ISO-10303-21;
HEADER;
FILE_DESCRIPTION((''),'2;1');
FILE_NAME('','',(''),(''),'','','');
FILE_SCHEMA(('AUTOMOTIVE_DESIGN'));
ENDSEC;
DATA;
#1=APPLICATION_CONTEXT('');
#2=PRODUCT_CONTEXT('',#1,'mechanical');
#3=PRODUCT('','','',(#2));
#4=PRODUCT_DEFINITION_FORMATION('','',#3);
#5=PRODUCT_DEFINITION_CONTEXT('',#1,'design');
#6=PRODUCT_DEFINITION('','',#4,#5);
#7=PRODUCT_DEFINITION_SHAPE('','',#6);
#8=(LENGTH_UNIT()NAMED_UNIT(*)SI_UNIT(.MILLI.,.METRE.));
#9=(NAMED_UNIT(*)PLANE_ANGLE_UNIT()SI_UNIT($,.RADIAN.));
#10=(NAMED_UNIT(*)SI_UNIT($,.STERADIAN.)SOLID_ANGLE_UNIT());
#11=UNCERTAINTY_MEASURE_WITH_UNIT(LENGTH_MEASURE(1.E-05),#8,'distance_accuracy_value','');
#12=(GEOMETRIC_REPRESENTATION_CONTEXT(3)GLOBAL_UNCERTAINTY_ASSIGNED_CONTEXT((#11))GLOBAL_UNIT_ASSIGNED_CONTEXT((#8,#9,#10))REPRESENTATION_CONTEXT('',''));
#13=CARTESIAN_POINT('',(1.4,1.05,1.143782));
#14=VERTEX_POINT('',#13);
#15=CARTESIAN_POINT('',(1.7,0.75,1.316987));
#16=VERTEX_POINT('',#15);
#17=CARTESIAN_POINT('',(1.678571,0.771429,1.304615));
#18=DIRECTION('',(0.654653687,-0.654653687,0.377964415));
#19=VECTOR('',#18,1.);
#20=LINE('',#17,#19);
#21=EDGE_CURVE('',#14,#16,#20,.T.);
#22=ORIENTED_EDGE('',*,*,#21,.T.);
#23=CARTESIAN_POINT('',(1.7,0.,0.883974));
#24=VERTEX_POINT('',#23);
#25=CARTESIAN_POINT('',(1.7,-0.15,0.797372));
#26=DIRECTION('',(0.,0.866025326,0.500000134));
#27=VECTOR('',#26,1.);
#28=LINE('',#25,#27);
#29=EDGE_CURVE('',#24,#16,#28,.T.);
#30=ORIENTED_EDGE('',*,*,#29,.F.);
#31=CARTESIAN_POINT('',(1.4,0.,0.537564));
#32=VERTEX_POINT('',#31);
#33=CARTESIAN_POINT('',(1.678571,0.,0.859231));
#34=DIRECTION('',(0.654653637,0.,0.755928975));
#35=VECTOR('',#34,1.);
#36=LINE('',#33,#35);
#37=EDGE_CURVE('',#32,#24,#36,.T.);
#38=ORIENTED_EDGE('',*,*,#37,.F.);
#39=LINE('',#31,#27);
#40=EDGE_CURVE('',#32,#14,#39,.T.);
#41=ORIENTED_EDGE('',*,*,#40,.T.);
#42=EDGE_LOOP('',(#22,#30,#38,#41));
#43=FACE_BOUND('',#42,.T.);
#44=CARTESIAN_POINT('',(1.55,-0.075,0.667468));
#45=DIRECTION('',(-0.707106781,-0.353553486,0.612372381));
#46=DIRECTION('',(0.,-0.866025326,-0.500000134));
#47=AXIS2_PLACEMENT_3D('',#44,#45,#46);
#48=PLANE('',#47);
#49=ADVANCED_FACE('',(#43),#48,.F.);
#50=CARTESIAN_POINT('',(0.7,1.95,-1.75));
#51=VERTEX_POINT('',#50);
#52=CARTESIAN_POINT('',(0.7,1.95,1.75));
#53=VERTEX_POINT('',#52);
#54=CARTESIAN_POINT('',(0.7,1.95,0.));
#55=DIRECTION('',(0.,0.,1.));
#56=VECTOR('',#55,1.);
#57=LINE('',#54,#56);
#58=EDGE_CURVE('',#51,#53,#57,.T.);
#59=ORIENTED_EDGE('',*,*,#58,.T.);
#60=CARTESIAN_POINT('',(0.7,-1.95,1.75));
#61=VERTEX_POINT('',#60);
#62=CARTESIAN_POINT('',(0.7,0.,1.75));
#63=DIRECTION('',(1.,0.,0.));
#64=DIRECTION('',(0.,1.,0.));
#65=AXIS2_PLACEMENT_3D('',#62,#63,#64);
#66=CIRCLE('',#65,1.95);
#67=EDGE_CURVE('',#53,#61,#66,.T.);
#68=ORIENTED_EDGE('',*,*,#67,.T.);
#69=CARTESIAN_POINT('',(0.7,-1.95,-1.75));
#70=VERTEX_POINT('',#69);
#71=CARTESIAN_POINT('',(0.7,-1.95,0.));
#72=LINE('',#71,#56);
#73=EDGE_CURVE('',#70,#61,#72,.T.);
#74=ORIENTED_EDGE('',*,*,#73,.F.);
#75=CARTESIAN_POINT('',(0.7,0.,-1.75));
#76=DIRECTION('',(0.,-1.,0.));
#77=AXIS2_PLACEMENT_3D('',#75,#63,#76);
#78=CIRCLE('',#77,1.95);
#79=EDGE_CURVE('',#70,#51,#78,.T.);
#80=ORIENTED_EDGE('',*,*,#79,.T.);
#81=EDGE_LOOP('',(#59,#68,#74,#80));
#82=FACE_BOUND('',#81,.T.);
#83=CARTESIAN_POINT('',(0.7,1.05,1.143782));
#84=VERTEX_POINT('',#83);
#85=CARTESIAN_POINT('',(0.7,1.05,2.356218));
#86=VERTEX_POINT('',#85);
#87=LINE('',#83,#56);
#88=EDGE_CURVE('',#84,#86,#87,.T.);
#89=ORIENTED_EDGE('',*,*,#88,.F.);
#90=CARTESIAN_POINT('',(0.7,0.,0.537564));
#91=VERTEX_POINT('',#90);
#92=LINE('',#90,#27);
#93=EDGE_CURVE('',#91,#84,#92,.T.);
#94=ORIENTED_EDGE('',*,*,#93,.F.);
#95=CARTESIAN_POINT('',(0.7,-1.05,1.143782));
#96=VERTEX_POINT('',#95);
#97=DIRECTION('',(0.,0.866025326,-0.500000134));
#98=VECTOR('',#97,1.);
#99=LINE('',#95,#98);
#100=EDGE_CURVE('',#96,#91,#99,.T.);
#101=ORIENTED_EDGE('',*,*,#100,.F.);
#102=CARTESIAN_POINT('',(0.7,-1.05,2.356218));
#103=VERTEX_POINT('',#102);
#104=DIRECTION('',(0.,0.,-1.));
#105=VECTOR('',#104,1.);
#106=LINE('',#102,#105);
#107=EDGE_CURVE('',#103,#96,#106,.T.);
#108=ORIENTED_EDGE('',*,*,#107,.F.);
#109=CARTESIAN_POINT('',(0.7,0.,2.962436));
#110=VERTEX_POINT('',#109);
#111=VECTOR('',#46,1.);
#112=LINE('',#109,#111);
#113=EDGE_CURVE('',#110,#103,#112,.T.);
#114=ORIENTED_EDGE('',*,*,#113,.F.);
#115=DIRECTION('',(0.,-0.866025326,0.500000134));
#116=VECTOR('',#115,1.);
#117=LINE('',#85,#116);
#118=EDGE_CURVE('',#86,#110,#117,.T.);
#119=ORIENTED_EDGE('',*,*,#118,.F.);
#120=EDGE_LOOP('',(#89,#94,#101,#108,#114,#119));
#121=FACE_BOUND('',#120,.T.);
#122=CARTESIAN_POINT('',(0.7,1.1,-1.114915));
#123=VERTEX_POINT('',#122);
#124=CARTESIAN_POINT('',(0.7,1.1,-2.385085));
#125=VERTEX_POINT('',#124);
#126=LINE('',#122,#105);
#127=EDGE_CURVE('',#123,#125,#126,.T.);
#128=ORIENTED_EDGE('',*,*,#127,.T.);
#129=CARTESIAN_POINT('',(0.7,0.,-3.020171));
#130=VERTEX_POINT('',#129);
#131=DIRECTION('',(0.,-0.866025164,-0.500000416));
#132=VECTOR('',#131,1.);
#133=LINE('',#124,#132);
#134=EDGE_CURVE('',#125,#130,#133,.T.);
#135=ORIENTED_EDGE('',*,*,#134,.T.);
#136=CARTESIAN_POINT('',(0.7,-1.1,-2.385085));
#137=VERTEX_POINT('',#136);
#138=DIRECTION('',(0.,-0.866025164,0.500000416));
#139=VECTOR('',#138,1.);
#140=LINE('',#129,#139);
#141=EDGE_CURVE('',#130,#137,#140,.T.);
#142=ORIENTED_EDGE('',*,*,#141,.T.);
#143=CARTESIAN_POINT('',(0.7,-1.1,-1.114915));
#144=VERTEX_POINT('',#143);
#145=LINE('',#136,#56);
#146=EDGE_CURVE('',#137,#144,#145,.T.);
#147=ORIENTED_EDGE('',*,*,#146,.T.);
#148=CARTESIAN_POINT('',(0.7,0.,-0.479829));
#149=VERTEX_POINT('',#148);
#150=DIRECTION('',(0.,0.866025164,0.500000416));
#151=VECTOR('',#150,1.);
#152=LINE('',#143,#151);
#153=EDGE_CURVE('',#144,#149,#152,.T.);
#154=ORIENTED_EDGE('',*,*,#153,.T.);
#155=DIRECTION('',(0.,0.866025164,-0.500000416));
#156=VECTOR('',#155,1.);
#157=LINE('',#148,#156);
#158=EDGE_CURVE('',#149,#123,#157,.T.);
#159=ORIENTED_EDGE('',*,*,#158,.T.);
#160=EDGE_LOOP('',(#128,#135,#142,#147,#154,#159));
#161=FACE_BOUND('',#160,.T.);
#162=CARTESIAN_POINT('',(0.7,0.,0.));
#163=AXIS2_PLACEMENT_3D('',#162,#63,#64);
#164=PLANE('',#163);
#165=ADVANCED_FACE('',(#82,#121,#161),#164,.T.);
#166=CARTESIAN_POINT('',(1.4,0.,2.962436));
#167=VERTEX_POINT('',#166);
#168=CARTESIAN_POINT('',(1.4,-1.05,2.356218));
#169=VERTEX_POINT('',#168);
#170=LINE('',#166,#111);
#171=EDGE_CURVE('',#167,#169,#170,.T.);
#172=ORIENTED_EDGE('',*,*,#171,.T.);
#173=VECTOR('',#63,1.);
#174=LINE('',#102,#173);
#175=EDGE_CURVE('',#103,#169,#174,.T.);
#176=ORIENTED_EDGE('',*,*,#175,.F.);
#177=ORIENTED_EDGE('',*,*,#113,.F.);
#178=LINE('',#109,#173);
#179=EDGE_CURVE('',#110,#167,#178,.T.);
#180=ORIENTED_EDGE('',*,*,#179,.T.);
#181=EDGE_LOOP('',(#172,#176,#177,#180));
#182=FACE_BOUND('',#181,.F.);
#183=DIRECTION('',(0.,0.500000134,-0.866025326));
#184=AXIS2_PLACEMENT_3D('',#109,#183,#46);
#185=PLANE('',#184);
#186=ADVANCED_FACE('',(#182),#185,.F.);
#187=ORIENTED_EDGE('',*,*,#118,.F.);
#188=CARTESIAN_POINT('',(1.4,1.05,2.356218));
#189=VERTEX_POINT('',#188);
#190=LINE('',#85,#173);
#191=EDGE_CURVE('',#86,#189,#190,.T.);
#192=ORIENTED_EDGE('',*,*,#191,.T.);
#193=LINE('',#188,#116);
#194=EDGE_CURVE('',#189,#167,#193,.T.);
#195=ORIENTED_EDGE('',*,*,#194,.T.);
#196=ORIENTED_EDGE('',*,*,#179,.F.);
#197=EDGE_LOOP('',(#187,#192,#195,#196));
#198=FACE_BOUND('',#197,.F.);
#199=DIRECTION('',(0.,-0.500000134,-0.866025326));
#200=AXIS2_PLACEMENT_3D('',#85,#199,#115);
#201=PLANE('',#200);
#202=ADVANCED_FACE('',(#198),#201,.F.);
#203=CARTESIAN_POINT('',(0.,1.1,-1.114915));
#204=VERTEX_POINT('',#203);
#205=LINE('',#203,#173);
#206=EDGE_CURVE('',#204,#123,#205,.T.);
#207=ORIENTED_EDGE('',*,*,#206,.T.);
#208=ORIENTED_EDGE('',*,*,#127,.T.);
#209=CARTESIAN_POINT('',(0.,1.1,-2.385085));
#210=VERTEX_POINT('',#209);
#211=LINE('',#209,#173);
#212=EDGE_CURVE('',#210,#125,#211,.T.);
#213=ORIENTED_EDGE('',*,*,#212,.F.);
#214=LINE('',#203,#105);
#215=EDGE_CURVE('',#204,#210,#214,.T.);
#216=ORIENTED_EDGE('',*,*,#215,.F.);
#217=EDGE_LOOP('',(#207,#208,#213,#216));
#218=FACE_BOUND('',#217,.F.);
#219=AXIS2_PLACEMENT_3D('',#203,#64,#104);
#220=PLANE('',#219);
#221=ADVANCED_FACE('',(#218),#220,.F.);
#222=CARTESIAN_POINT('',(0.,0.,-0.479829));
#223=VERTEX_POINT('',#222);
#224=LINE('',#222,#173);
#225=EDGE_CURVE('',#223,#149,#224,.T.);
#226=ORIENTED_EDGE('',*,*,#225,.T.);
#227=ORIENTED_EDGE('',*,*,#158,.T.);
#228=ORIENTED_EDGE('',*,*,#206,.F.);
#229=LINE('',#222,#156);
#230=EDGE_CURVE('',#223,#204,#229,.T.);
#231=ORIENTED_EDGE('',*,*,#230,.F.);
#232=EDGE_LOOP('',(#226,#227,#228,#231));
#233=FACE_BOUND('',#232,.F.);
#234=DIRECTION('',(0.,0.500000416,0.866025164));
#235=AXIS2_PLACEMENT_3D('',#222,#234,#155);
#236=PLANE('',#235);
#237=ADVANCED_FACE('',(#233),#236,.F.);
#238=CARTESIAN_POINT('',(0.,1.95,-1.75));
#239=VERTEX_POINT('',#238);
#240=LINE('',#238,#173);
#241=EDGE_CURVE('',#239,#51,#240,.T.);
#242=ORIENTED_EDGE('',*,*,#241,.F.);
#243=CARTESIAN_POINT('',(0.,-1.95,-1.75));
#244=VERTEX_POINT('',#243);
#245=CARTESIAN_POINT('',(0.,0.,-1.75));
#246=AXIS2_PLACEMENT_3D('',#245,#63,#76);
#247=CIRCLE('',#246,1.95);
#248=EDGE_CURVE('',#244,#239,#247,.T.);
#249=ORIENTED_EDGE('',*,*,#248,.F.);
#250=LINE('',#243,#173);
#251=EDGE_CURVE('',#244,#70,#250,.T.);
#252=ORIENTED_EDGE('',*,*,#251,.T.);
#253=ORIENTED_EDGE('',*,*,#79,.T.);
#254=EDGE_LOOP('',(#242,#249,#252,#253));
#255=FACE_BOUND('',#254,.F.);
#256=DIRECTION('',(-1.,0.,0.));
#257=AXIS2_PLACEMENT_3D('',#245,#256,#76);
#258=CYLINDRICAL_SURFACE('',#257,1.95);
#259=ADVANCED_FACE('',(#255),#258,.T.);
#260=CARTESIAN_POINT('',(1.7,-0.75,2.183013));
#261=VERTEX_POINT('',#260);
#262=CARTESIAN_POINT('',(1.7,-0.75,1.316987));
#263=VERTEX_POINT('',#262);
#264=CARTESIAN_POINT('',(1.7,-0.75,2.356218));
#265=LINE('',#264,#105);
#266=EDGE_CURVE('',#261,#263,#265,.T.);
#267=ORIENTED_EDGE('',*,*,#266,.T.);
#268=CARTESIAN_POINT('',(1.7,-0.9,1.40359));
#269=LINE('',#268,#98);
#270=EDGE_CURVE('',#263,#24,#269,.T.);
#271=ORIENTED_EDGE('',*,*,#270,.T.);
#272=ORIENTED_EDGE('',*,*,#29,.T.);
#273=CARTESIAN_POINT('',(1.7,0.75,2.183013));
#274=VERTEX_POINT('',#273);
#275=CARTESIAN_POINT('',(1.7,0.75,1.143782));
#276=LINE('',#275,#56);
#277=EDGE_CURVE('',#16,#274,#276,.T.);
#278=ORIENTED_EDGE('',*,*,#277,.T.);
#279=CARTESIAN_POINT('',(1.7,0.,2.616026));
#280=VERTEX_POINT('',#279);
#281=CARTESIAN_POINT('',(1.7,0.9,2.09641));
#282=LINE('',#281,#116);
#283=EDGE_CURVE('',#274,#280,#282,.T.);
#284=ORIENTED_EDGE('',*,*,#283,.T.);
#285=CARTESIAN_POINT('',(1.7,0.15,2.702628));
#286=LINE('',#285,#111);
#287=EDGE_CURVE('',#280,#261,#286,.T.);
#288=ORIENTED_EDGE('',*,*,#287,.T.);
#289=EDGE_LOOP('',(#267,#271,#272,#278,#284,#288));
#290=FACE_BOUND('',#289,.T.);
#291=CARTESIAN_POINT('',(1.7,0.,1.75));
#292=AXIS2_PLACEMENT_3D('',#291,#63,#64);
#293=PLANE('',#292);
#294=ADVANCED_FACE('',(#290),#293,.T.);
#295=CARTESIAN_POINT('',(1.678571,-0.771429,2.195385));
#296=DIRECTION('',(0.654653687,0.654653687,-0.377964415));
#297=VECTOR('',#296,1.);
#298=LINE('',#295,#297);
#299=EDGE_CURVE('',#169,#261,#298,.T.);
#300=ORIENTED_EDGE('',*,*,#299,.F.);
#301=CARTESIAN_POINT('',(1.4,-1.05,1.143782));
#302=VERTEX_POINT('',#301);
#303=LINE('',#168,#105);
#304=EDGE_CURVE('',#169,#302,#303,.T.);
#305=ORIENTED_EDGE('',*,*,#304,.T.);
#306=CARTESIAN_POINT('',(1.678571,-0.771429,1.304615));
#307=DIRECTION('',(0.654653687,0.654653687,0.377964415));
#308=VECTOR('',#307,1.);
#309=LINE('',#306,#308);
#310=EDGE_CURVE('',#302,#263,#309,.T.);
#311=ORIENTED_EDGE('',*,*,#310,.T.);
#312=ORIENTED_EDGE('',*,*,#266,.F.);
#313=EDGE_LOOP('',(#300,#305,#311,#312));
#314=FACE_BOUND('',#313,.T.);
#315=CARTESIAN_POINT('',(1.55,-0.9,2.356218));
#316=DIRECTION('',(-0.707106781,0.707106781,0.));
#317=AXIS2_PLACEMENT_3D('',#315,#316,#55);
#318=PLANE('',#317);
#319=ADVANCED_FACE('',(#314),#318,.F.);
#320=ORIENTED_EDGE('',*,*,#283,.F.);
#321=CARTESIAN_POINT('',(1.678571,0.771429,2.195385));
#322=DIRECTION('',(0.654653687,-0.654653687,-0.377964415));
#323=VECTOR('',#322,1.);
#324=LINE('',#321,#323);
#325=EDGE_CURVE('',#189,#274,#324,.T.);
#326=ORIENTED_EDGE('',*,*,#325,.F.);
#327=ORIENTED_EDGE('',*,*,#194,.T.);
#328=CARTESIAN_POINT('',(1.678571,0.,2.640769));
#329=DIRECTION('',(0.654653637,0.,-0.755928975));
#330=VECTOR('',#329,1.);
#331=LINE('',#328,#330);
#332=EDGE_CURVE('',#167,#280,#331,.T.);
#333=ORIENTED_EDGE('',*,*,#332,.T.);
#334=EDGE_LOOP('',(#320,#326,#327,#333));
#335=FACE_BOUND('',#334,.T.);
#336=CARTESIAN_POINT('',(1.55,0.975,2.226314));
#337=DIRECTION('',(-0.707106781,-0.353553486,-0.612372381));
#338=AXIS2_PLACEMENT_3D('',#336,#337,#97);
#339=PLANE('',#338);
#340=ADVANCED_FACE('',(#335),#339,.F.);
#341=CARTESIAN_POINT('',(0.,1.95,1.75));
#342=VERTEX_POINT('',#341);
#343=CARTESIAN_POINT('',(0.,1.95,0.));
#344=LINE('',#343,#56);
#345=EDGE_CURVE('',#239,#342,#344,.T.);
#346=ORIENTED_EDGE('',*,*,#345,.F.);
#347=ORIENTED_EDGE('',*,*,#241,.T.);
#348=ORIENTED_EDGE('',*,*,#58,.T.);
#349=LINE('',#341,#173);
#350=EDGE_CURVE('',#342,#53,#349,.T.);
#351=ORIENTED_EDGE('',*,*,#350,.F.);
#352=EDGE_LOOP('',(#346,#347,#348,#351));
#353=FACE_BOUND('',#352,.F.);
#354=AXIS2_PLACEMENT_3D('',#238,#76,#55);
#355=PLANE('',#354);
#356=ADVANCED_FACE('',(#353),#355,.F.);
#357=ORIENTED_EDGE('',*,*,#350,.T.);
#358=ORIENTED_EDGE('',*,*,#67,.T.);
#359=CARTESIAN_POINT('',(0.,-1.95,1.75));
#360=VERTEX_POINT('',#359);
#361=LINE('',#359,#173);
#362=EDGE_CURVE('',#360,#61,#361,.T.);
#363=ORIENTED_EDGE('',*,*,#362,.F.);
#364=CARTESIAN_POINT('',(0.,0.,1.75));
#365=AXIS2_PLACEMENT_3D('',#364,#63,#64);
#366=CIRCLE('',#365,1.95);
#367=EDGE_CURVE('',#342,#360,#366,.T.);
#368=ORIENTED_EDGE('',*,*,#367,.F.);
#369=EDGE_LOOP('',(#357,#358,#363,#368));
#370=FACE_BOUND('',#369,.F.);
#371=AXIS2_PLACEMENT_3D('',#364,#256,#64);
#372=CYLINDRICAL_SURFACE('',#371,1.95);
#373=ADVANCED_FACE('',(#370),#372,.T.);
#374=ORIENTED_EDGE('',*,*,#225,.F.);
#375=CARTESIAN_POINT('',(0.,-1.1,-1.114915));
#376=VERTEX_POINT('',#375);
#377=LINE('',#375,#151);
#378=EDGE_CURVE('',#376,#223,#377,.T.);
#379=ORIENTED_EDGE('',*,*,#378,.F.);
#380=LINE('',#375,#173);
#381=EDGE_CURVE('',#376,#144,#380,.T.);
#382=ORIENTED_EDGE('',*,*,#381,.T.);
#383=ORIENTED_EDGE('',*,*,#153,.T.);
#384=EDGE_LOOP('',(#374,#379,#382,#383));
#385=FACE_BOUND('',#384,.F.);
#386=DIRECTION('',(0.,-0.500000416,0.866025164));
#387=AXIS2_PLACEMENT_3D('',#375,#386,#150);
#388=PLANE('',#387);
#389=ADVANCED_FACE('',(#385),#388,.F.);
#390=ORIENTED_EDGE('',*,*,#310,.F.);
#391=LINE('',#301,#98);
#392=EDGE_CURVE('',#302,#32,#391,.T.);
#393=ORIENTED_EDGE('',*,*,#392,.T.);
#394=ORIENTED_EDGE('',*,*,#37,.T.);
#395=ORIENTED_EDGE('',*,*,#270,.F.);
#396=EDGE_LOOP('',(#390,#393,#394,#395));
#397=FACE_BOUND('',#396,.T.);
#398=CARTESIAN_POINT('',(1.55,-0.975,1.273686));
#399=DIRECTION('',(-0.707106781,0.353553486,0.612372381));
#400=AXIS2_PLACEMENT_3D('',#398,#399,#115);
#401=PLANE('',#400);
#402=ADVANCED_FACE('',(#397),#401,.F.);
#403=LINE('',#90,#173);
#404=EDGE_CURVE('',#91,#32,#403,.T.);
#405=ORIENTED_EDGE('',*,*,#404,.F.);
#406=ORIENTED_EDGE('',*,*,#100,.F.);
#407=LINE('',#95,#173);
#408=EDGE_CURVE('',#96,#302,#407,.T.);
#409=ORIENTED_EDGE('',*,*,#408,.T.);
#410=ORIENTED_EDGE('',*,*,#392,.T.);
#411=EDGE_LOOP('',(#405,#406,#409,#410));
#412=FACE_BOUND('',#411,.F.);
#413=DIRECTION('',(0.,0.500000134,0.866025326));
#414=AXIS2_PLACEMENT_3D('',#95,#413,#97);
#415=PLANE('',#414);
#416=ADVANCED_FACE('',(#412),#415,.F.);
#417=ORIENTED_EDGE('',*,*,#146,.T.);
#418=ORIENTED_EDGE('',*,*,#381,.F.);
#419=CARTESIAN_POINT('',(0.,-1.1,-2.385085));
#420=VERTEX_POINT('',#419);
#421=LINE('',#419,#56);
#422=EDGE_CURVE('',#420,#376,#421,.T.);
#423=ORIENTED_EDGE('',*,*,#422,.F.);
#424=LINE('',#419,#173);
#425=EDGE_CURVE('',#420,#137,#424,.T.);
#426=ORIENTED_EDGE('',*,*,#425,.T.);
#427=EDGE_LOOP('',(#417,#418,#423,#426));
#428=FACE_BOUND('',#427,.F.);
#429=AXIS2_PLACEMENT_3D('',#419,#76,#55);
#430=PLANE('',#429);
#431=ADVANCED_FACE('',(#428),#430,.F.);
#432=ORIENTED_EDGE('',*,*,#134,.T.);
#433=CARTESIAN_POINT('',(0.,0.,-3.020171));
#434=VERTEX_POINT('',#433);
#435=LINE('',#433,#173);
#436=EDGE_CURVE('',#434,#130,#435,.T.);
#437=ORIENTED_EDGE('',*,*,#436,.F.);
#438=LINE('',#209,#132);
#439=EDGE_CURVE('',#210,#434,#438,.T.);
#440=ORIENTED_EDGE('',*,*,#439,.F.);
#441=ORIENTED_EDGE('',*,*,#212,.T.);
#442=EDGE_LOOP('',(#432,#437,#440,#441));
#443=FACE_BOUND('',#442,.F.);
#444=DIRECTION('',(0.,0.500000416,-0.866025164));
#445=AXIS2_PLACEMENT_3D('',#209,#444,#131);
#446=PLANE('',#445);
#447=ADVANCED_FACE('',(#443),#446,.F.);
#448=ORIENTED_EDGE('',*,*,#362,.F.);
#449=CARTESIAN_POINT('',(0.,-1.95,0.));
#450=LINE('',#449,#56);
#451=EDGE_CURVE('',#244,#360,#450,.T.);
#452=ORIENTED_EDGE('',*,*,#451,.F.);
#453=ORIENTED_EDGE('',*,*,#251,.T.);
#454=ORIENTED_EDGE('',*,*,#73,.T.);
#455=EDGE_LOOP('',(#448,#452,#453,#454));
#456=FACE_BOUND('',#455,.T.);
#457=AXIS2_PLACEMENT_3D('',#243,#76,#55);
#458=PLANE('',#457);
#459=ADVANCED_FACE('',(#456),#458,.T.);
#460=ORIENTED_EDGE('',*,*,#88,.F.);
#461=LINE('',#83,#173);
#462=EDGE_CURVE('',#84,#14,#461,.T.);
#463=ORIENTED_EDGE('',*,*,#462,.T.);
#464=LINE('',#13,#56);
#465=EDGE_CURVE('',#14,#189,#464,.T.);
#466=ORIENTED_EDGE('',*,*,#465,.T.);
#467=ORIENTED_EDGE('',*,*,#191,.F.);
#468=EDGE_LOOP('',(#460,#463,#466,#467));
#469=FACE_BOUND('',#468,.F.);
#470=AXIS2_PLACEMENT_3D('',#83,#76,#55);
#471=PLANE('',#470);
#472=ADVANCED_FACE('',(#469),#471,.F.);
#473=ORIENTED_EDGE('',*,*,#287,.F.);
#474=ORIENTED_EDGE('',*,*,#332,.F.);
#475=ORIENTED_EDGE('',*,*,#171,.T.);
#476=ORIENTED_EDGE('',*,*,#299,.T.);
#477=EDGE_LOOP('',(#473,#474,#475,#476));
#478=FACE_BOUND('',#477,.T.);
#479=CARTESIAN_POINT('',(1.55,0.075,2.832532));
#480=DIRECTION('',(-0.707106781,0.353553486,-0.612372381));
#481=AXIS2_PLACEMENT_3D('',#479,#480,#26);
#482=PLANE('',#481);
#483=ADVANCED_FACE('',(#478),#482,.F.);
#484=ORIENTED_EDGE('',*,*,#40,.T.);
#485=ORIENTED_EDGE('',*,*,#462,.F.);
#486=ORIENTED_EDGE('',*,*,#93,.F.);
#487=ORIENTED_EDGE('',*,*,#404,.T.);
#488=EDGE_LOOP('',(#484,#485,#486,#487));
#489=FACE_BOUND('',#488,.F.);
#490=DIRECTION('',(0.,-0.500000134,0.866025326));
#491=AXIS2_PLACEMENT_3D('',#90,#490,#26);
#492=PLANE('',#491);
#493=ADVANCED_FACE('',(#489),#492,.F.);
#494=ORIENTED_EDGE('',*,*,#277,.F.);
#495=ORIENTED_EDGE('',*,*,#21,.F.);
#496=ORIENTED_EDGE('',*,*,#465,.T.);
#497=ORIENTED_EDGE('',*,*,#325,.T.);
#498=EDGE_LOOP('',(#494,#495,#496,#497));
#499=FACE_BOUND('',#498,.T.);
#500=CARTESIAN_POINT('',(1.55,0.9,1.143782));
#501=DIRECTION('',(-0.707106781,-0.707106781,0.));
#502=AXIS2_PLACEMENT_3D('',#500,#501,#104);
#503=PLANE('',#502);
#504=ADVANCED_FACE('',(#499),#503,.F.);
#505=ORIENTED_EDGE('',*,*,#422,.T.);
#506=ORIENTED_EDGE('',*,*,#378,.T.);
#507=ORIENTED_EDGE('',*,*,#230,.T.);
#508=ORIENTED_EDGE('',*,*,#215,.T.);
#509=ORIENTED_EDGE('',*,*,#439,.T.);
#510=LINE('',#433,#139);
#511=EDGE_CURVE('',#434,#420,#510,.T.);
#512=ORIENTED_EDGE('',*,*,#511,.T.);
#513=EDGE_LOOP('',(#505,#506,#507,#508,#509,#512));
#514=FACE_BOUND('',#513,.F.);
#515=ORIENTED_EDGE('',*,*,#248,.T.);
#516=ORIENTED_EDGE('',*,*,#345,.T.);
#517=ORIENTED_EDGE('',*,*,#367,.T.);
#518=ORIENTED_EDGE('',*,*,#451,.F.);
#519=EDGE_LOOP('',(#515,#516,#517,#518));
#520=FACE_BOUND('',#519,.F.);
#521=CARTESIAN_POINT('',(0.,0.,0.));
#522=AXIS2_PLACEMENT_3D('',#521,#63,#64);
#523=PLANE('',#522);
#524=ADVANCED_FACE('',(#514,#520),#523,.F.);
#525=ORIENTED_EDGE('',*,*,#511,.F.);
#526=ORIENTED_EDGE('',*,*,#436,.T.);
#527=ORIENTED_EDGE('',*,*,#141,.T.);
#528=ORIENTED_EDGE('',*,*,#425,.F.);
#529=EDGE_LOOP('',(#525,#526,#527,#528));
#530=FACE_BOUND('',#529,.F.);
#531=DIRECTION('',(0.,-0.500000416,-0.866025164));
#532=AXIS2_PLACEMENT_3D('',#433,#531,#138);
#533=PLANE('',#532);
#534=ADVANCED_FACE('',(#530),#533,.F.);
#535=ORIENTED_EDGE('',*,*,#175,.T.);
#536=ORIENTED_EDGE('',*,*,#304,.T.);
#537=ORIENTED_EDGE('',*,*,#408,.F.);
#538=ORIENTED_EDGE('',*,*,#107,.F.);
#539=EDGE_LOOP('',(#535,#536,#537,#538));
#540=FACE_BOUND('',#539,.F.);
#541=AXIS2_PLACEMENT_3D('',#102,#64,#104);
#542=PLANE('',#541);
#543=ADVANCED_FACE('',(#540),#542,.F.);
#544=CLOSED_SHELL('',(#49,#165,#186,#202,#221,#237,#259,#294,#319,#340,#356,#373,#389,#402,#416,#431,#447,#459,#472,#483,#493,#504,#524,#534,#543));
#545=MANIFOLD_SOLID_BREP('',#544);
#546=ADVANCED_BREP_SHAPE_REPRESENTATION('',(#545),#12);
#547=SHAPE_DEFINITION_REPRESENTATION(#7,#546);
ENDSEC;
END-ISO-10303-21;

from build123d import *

# Parameters (mm, degrees)
F0_W     = 3.9
F0_H     = 3.5
F1_DEPTH = 0.7
F3_DEPTH = 1
F4_SIZE  = 0.3
F6_DEPTH = 0.7


with BuildPart() as f1:
    # F0 (on Right) → F1 (new body)
    with BuildSketch(Plane.YZ):
        Rectangle(F0_W, F0_H)
        with BuildLine():
            Line((-1.95, 1.75), (1.95, 1.75))
            ThreePointArc((1.95, 1.75), (0, 3.7), (-1.95, 1.75))
        make_face()
        with BuildLine():
            ThreePointArc((-1.95, -1.75), (0, -3.7), (1.95, -1.75))
            Line((1.95, -1.75), (-1.95, -1.75))
        make_face()
    extrude(amount=F1_DEPTH)

    # F2 (on face) → F3 (join)
    with BuildSketch(Plane.YZ.offset(0.7)):
        Polygon((1.05, 1.143782), (1.05, 2.356218), (0, 2.962436), (-1.05, 2.356218), (-1.05, 1.143782), (0, 0.537564), align=None)
    extrude(amount=F3_DEPTH)

    # F4
    f4_edges = [f1.edges().sort_by_distance(p)[0] for p in [
        (1.7, -0.525, 2.659327),
        (1.7, 0.525, 2.659327),
        (1.7, 1.05, 1.75),
        (1.7, 0.525, 0.840673),
        (1.7, -0.525, 0.840673),
        (1.7, -1.05, 1.75),
    ]]
    chamfer(f4_edges, length=F4_SIZE)

    # F5 (on face) → F6 (cut, through all)
    with BuildSketch(Plane(origin=(0, 0, 0), x_dir=(0, -1, 0), z_dir=(-1, 0, 0))):
        Polygon((1.1, -2.385085), (1.1, -1.114915), (0, -0.479829), (-1.1, -1.114915), (-1.1, -2.385085), (0, -3.020171), align=None)
    extrude(amount=-F6_DEPTH, mode=Mode.SUBTRACT)


solid = f1.part
